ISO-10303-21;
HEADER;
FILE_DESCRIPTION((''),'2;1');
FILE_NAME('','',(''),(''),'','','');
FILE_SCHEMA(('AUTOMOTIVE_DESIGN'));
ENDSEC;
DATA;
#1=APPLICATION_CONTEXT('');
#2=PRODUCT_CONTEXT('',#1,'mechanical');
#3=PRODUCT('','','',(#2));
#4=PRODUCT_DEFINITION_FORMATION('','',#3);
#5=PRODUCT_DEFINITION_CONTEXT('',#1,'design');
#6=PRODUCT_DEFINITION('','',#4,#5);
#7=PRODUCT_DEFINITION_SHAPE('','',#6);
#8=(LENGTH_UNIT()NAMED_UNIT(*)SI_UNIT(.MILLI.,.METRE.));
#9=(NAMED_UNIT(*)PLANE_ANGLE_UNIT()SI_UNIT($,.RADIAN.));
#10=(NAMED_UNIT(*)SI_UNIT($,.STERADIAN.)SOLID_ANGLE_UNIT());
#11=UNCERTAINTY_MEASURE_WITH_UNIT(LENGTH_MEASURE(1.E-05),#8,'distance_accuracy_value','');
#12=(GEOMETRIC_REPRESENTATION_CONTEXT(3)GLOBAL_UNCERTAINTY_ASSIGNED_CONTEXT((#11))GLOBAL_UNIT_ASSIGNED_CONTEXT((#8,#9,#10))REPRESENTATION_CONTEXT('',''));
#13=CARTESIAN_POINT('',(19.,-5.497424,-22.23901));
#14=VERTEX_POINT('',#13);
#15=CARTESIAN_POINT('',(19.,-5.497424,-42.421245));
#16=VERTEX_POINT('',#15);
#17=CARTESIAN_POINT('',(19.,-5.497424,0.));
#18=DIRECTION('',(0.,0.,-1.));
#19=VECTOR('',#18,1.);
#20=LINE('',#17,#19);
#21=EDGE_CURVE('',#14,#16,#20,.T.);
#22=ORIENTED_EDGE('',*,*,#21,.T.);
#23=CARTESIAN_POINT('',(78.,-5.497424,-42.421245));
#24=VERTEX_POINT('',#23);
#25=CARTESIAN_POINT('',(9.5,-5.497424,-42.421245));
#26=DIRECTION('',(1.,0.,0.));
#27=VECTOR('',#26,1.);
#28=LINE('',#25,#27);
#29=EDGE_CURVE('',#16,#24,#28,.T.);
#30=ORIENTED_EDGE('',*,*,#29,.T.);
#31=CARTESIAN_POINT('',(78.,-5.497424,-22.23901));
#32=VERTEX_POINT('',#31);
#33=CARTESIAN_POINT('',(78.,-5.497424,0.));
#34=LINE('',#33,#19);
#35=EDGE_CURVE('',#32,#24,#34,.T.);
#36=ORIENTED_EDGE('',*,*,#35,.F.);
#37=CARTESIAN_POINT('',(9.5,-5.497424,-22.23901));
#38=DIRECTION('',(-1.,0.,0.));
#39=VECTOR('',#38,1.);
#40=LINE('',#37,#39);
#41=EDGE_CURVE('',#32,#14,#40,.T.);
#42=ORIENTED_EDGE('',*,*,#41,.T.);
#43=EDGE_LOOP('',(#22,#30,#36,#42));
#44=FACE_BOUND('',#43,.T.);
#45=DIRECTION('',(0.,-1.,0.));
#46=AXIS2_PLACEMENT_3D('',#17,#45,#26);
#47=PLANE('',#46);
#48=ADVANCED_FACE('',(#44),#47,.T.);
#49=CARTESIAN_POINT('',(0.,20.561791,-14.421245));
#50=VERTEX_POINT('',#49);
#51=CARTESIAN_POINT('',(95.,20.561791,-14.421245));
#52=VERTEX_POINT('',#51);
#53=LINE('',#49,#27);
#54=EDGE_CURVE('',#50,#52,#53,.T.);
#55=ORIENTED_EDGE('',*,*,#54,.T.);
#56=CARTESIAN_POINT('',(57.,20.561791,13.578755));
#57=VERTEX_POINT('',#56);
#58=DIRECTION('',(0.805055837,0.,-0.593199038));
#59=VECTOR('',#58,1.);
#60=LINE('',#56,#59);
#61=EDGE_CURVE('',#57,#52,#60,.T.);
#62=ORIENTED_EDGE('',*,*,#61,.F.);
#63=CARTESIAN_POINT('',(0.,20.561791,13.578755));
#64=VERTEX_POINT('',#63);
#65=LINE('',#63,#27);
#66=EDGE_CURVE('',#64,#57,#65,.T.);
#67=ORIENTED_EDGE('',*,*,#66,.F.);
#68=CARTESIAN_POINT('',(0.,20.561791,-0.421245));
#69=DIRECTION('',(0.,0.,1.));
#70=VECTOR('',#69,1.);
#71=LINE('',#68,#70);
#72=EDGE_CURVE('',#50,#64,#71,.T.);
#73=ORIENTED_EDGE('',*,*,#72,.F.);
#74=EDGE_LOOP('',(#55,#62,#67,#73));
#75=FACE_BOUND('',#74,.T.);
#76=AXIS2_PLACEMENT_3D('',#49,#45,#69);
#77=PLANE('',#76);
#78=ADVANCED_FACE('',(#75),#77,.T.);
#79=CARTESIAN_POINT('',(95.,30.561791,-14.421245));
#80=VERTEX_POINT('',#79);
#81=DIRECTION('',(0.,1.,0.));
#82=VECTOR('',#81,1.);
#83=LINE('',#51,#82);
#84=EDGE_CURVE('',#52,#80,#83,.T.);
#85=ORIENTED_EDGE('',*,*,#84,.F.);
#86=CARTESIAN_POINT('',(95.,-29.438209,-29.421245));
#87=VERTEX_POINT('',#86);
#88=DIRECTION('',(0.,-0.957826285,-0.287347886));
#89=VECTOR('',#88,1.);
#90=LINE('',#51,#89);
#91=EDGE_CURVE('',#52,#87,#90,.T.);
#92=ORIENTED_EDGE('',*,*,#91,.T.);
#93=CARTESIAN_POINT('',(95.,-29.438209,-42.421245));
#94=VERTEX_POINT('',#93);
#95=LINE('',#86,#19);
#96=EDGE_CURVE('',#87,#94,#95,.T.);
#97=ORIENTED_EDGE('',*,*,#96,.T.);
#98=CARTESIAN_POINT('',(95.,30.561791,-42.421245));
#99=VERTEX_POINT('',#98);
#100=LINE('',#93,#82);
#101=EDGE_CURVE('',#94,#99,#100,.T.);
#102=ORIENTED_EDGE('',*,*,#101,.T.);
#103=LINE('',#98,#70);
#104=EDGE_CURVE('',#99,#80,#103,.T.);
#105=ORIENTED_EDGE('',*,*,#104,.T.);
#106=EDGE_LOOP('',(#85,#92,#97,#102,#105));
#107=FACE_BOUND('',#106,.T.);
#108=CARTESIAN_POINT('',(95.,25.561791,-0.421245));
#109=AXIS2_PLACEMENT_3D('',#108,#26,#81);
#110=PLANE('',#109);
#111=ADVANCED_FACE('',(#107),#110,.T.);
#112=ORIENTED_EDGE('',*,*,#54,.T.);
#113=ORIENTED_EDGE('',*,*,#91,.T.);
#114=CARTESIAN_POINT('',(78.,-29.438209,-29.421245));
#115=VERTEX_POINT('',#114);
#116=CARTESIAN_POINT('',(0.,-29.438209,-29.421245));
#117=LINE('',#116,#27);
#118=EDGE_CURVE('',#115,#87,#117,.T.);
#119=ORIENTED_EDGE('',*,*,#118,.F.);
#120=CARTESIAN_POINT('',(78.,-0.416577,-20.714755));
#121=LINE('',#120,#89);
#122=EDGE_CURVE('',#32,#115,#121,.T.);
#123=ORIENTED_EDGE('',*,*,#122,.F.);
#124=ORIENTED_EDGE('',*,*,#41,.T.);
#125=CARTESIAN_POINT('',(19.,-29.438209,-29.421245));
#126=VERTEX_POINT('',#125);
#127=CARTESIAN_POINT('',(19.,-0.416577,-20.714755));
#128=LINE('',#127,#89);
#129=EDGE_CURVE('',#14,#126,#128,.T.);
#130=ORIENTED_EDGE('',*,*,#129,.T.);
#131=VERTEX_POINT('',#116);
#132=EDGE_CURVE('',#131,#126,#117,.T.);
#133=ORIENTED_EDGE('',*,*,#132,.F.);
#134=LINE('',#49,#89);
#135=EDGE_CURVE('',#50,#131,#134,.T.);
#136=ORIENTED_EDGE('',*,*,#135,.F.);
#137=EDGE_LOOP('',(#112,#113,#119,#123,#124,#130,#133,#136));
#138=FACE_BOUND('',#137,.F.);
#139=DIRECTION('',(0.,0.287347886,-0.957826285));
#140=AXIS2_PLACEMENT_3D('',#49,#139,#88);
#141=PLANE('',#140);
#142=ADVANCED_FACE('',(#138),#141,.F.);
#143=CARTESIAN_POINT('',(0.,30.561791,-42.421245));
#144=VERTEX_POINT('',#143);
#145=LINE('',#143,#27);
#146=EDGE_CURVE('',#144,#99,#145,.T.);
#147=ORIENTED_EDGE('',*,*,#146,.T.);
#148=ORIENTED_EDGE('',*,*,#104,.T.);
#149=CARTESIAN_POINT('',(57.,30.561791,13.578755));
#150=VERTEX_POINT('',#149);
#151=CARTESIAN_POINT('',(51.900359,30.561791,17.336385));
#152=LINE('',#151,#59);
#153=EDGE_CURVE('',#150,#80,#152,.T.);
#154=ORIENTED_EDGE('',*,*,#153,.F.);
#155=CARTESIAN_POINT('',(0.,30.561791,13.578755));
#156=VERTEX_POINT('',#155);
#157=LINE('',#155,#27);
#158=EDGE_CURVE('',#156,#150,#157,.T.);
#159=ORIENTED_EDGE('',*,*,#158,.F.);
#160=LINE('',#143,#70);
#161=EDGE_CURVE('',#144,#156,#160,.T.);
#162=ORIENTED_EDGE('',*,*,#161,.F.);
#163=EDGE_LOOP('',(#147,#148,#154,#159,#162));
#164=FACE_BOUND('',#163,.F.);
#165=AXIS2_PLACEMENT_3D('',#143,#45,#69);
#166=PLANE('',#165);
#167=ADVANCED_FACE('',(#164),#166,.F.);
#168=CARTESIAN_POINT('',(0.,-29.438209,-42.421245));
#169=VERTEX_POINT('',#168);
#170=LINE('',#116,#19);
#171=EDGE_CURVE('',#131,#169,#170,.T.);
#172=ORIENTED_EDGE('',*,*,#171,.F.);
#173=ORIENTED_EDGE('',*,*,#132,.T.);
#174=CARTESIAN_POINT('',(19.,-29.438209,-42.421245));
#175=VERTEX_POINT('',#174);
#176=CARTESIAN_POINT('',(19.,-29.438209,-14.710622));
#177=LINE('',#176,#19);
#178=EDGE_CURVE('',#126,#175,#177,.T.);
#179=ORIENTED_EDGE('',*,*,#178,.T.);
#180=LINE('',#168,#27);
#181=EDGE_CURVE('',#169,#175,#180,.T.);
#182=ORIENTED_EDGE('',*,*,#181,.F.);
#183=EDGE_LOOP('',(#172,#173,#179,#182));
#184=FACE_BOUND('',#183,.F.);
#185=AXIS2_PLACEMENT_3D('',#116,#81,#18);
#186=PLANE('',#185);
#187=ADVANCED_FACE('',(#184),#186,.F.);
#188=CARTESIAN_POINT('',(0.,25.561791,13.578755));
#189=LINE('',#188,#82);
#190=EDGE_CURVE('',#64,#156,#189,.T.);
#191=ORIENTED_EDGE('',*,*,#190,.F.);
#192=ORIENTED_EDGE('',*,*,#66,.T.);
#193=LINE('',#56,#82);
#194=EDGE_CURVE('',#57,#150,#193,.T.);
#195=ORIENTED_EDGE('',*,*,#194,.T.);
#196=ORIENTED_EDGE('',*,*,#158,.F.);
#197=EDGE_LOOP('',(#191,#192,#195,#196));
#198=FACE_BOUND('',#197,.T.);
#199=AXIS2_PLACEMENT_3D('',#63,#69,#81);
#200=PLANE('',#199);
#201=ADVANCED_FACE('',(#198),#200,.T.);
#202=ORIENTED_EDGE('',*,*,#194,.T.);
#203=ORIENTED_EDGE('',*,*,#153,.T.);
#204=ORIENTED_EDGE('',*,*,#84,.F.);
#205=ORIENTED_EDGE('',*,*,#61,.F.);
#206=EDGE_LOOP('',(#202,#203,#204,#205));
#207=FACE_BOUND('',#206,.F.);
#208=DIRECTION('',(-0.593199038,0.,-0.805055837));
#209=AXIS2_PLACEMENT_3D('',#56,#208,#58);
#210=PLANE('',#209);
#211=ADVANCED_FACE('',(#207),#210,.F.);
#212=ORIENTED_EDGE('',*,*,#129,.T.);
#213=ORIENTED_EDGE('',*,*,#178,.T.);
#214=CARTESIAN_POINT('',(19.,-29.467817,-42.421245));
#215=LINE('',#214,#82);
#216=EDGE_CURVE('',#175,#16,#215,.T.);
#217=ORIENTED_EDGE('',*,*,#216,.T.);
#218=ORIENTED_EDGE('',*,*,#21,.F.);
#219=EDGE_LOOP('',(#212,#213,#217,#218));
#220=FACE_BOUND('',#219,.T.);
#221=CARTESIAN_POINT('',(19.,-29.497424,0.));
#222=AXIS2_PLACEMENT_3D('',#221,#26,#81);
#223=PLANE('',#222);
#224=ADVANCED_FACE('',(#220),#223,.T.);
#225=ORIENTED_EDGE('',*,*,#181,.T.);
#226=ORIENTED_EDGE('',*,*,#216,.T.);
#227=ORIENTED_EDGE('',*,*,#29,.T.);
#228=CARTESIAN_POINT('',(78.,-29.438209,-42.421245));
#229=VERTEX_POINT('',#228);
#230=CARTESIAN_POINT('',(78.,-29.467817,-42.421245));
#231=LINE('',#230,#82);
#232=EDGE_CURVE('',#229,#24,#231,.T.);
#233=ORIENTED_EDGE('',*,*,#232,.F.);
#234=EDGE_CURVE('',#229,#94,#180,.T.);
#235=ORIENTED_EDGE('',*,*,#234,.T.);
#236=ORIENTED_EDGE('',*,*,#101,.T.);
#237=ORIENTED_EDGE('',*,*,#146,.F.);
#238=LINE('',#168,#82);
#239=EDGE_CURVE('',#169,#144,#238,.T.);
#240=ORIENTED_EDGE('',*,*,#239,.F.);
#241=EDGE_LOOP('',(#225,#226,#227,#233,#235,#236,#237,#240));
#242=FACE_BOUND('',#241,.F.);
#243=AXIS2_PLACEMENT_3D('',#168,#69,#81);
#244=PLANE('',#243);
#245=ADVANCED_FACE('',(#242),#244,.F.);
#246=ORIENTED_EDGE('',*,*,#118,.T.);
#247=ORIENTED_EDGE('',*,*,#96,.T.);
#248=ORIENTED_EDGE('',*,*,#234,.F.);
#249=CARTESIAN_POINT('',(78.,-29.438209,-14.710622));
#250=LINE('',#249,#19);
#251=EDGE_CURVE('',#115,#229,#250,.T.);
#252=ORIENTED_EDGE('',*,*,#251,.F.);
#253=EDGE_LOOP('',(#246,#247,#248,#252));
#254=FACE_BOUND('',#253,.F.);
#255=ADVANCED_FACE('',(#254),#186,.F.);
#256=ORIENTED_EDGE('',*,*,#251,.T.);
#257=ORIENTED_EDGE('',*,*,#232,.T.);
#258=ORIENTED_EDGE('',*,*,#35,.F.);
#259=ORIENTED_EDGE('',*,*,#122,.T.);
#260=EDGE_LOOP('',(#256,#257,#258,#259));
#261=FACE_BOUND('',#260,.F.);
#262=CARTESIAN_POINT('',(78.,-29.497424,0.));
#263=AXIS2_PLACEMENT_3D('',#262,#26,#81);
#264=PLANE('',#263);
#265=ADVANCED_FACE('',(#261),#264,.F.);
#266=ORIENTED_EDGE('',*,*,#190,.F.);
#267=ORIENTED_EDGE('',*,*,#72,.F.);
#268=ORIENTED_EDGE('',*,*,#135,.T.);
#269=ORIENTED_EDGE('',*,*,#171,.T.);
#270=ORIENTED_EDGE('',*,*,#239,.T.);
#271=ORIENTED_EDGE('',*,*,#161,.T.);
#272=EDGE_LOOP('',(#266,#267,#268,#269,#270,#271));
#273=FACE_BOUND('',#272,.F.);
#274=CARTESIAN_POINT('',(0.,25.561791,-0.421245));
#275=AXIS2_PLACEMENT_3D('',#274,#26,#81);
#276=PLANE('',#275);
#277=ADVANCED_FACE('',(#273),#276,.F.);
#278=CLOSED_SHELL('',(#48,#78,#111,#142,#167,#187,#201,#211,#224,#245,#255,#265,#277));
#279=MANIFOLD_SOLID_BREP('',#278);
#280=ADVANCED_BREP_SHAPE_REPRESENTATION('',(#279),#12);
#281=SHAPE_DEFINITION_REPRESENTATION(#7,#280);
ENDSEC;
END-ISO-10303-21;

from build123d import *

# Parameters (mm, degrees)
F0_W     = 10
F0_H     = 28
F1_DEPTH = 95
F3_DEPTH = 39.5
F4_W     = 59
F4_H     = 24
F5_DEPTH = 192


with BuildPart() as f1:
    # F0 (on Right) → F1 (new body)
    with BuildSketch(Plane.YZ):
        with Locations((25.561791, -0.421245)):
            Rectangle(F0_W, F0_H)
        Polygon((-29.438209, -29.421245), (-29.438209, -42.421245), (30.561791, -42.421245), (30.561791, -14.421245), (20.561791, -14.421245), align=None)
    extrude(amount=F1_DEPTH)

    # F2 (on face) → F3 (cut)
    with BuildSketch(Plane.XZ.offset(-20.561791)):
        Polygon((95, 13.578755), (57, 13.578755), (95, -14.421245), align=None)
    extrude(amount=-F3_DEPTH, mode=Mode.SUBTRACT)

    # F4 (on Top) → F5 (cut)
    with BuildSketch(Plane.XY):
        with Locations((48.5, -17.497424)):
            Rectangle(F4_W, F4_H)
    extrude(amount=-F5_DEPTH, mode=Mode.SUBTRACT)


solid = f1.part
